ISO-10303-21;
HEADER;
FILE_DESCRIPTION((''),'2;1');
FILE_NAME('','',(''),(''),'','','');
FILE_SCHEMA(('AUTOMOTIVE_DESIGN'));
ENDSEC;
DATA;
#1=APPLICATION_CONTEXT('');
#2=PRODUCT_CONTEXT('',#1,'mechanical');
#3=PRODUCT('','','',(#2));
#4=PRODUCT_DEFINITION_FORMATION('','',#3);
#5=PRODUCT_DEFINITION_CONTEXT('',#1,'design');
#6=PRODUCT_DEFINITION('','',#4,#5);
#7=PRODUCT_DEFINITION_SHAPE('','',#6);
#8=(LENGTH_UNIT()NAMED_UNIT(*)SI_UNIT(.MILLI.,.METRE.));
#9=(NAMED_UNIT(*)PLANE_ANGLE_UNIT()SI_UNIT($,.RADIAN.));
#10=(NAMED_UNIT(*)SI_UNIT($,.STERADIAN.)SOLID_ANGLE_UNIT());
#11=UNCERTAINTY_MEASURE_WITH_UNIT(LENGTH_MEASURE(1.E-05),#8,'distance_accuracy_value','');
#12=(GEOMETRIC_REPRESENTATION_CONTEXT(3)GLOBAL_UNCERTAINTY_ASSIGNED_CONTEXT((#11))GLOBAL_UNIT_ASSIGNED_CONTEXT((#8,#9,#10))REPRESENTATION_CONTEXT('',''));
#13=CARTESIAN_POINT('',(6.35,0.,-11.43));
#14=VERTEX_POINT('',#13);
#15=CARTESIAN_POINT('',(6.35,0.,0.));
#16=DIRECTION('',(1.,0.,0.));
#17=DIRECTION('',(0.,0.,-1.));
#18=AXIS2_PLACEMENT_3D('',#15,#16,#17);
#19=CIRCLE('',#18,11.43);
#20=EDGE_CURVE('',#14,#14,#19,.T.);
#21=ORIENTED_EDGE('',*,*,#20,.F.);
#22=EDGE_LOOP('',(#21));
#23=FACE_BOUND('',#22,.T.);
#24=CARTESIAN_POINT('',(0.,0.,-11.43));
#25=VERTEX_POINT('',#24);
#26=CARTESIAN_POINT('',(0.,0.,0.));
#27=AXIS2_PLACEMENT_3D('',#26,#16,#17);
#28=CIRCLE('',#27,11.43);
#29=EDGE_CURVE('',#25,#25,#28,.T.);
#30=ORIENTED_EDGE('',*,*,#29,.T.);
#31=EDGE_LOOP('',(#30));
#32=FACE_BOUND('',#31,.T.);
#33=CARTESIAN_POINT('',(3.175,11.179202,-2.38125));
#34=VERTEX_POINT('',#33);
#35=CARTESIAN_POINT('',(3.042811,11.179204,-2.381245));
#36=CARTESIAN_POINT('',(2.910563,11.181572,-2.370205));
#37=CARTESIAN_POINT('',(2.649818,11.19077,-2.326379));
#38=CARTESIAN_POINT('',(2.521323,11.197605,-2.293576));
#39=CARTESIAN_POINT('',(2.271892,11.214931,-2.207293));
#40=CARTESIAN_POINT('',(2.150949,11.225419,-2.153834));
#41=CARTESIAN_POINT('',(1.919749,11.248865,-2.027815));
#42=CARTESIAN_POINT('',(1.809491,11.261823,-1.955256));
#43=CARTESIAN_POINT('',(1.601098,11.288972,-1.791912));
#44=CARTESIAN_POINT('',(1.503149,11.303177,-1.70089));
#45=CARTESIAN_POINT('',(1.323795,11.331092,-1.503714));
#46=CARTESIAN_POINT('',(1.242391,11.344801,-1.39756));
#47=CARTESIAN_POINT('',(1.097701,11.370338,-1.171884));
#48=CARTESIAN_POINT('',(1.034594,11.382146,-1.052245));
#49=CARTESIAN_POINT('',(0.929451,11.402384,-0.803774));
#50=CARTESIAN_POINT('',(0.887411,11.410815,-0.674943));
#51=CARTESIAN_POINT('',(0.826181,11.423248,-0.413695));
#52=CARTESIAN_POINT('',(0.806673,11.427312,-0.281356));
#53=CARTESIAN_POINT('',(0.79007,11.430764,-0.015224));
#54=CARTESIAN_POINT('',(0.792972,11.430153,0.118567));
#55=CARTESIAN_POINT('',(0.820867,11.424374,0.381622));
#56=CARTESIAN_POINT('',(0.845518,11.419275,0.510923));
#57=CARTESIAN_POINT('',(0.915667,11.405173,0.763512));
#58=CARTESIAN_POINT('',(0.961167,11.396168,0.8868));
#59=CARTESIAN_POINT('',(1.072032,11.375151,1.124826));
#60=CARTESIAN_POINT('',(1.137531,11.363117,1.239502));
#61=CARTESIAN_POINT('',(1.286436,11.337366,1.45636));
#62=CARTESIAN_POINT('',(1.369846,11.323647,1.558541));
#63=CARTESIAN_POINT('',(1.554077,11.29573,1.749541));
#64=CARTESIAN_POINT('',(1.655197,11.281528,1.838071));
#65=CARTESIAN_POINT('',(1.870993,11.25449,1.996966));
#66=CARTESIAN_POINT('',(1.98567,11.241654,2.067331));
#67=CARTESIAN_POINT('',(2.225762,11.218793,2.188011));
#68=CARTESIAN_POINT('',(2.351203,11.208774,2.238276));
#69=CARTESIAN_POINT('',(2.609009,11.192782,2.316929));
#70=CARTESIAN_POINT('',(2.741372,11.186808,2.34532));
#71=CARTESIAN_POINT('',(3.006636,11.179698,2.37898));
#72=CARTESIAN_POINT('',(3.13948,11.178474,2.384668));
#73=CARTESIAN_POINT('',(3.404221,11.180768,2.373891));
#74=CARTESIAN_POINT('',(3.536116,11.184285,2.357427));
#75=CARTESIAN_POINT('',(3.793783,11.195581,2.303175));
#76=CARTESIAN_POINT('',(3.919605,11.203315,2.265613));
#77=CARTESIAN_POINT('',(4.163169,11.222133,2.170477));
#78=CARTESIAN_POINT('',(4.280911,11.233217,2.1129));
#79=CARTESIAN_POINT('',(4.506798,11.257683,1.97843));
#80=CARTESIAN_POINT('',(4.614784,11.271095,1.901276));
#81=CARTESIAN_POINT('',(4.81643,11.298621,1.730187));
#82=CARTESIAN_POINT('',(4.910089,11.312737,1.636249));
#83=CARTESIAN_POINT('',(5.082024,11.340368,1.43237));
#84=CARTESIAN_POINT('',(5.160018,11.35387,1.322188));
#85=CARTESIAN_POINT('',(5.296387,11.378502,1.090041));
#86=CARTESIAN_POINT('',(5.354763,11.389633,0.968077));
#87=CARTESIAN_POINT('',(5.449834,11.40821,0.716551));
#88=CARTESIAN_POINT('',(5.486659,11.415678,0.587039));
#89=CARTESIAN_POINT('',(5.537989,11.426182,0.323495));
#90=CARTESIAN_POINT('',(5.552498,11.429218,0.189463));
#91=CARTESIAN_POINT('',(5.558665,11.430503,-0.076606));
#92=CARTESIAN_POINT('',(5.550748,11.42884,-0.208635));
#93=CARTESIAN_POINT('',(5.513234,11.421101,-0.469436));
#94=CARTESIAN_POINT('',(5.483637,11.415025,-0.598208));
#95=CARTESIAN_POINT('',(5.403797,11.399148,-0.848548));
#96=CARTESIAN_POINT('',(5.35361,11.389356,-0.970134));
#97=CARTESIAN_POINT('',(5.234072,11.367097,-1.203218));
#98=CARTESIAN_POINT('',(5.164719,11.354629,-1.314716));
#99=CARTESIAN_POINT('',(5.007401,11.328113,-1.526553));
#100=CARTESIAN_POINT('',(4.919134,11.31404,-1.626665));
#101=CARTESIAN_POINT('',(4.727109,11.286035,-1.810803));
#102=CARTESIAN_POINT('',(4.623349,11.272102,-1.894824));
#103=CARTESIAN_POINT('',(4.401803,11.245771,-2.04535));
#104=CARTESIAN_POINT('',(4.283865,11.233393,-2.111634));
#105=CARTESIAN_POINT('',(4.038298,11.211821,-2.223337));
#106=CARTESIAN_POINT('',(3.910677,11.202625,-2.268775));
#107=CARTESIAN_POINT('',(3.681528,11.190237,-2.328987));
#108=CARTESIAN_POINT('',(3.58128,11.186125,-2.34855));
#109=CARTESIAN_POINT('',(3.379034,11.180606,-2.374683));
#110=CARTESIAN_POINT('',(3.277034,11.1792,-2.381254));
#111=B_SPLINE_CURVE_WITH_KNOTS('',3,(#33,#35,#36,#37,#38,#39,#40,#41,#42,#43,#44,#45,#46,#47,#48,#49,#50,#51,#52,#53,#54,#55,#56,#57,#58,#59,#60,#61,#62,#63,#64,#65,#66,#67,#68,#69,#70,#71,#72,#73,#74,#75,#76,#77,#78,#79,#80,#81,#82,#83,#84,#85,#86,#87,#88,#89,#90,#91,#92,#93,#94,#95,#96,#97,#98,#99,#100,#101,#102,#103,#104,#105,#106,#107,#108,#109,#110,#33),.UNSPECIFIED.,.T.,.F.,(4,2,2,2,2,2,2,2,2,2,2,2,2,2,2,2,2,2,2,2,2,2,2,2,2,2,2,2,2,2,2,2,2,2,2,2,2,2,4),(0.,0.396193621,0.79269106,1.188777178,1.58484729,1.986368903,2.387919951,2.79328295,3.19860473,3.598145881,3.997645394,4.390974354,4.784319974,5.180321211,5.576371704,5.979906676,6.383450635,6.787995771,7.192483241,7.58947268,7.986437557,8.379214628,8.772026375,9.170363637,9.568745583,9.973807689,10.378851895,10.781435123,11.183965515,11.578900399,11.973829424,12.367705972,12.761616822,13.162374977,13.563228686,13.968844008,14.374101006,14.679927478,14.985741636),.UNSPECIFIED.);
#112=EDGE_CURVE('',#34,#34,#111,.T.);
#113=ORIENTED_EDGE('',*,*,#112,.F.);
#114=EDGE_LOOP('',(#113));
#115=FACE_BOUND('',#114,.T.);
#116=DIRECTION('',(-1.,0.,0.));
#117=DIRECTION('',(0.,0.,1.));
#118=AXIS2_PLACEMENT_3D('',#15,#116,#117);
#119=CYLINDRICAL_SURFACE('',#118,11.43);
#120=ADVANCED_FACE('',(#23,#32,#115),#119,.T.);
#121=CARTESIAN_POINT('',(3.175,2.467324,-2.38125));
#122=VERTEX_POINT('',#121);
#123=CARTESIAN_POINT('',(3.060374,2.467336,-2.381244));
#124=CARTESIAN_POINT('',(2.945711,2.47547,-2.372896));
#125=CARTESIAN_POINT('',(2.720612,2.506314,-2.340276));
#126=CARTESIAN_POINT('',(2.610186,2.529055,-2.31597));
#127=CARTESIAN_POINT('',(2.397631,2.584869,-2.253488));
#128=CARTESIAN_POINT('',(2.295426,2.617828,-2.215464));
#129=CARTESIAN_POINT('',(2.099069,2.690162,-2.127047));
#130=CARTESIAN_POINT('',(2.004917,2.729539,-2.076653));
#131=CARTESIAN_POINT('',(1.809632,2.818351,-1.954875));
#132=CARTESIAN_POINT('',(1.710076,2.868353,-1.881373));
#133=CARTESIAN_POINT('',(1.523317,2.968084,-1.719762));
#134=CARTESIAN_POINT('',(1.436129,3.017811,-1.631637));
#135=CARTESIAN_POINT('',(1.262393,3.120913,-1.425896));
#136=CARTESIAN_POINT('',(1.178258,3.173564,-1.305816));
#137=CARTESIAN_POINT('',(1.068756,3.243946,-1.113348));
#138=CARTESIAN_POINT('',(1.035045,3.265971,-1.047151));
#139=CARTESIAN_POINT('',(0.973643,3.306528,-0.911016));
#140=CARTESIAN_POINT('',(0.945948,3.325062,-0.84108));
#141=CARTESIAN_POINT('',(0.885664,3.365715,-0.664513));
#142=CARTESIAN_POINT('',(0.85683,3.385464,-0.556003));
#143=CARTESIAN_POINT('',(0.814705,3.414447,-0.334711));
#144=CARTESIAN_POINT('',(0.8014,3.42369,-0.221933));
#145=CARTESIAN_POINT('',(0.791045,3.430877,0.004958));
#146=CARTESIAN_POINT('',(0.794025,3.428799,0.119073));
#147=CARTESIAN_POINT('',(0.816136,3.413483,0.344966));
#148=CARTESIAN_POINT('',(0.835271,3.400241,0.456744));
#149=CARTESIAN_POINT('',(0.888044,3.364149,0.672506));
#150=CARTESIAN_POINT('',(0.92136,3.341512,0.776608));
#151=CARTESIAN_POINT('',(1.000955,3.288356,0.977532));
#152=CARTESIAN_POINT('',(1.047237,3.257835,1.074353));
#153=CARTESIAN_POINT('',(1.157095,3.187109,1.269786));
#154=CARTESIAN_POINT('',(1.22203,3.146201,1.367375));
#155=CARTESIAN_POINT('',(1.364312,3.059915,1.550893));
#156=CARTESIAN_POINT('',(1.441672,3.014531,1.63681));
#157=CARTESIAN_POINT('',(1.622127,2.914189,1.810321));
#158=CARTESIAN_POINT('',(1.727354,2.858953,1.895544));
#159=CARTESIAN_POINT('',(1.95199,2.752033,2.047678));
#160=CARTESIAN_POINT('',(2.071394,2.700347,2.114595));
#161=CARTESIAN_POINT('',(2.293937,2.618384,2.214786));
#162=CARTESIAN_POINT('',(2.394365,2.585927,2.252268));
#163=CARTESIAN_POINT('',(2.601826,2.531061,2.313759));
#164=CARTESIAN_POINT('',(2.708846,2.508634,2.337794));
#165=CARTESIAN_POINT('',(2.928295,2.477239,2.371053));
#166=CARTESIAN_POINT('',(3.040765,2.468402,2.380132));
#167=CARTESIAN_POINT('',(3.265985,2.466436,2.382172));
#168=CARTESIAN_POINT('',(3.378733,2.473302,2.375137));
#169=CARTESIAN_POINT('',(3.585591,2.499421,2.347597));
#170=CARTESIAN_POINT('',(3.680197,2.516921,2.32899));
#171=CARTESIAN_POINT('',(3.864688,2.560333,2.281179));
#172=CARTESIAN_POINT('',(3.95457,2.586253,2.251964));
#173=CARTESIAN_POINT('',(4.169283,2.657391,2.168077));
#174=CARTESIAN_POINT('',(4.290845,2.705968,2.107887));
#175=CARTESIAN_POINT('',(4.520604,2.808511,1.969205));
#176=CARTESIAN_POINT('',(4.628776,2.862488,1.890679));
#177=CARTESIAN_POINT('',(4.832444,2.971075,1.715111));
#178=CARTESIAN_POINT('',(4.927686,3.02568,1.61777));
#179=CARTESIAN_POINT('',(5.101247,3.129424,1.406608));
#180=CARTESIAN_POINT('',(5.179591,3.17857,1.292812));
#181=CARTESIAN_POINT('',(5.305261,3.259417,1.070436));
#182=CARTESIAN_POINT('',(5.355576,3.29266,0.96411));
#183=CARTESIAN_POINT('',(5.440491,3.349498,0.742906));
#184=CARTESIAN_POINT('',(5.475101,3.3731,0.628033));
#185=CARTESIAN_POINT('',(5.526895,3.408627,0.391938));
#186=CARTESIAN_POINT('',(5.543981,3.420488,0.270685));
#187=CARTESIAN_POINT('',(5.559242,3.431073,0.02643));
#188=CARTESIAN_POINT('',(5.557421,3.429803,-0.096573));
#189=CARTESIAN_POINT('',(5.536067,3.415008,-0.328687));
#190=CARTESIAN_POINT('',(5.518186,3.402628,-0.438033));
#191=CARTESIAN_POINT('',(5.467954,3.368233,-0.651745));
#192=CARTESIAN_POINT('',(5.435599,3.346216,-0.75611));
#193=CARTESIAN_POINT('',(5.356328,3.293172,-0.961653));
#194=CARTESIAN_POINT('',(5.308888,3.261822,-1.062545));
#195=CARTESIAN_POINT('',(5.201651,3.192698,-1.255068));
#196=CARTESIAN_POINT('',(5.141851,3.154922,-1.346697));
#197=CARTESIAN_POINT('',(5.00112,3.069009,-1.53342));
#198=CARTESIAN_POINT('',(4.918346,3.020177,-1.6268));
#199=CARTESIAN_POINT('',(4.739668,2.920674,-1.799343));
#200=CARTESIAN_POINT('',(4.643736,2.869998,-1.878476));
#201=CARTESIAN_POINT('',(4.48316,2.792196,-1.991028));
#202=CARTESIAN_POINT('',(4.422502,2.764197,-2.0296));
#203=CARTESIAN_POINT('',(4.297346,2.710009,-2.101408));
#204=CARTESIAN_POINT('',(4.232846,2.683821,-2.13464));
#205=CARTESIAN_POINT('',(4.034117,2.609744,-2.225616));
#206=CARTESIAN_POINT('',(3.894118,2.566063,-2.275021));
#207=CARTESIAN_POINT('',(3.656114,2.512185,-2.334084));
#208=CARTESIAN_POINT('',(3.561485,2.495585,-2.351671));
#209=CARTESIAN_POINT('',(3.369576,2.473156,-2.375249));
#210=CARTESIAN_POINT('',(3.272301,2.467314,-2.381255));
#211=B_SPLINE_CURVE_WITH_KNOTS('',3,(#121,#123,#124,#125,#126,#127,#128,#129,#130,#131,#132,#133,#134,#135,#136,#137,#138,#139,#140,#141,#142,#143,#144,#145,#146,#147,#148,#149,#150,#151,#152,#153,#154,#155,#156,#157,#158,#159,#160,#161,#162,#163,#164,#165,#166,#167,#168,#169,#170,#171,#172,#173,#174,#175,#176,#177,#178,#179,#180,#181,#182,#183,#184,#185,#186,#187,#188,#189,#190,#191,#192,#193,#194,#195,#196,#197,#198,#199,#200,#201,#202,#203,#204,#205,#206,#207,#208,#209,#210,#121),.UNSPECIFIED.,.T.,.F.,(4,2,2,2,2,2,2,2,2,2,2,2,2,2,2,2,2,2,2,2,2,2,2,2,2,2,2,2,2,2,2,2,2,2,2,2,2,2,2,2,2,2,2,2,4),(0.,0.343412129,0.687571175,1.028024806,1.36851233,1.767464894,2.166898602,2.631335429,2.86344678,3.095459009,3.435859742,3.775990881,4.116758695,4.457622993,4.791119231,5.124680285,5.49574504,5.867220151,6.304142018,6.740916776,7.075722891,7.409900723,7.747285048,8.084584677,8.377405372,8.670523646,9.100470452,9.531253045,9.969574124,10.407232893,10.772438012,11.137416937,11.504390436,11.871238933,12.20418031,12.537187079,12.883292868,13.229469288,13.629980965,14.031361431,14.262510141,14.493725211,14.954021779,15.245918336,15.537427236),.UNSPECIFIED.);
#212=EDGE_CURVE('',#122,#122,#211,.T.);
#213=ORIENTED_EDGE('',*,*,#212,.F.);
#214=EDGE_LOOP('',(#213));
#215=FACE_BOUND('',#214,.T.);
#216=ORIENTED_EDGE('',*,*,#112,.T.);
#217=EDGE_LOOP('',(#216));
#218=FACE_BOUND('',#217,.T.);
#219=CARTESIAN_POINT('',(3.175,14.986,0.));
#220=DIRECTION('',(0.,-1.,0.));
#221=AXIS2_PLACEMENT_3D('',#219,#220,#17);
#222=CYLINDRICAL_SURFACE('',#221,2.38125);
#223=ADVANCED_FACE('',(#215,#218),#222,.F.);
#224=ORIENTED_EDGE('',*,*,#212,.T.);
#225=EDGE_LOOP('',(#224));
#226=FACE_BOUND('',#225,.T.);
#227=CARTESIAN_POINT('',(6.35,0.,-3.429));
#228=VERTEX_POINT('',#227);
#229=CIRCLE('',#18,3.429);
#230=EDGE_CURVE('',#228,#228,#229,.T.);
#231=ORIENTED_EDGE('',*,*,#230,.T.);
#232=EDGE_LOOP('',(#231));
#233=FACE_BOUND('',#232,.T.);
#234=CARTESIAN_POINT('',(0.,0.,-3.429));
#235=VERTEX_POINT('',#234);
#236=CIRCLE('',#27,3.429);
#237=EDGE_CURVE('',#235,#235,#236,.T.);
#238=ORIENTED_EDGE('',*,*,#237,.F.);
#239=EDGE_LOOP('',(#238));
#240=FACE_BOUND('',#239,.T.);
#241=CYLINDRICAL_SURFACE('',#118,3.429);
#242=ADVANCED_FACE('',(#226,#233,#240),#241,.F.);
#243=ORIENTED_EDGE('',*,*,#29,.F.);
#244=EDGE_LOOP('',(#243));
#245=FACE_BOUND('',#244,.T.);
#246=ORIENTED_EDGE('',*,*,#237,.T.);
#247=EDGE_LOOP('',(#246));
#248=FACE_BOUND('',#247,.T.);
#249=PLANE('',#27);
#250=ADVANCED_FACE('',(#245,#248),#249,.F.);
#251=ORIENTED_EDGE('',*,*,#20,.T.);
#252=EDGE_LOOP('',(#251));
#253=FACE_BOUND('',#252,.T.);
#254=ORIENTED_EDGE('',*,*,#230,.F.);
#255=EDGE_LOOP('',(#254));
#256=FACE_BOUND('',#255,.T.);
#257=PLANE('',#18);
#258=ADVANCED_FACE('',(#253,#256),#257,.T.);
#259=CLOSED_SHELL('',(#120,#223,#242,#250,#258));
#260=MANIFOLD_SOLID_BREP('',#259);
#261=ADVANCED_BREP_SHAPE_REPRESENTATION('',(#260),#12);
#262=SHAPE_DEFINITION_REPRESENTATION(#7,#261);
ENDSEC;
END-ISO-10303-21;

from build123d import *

# Parameters (mm, degrees)
SKETCH1_R           = 11.43
SKETCH1_R_2         = 3.429
BOSS_EXTRUDE1_DEPTH = 6.35
CUT_EXTRUDE1_DEPTH  = 14.986


with BuildPart() as part:
    # Sketch1 → Boss-Extrude1 (new body)
    with BuildSketch(Plane(origin=(0, 0, 0), x_dir=(0, 0, -1), z_dir=(1, 0, 0))):
        Circle(SKETCH1_R)
        Circle(SKETCH1_R_2, mode=Mode.SUBTRACT)
    extrude(amount=BOSS_EXTRUDE1_DEPTH)

    # Sketch2 → Cut-Extrude1 (cut)
    with BuildSketch(Plane(origin=(0, 0, 0), x_dir=(1, 0, 0), z_dir=(0, 1, 0))):
        with BuildLine():
            ThreePointArc((5.55625, 0), (5.070783, 1.440957453), (3.812326951, 2.294377022))
            Line((3.812326951, 2.294377022), (3.175, 0))
            Line((3.175, 0), (3.812326951, -2.294377022))
            ThreePointArc((3.812326951, -2.294377022), (5.070783, -1.440957453), (5.55625, 0))
        make_face()
        with BuildLine():
            Line((3.175, 0), (3.812326951, 2.294377022))
            ThreePointArc((3.812326951, 2.294377022), (3.175, 2.38125), (2.537673049, 2.294377022))
            Line((2.537673049, 2.294377022), (3.175, 0))
        make_face()
        with BuildLine():
            Line((3.812326951, -2.294377022), (3.175, 0))
            Line((3.175, 0), (2.537673049, -2.294377022))
            ThreePointArc((2.537673049, -2.294377022), (3.175, -2.38125), (3.812326951, -2.294377022))
        make_face()
        with BuildLine():
            Line((2.537673049, -2.294377022), (3.175, 0))
            Line((3.175, 0), (2.537673049, 2.294377022))
            ThreePointArc((2.537673049, 2.294377022), (0.79375, 0), (2.537673049, -2.294377022))
        make_face()
    extrude(amount=CUT_EXTRUDE1_DEPTH, mode=Mode.SUBTRACT)


solid = part.part
